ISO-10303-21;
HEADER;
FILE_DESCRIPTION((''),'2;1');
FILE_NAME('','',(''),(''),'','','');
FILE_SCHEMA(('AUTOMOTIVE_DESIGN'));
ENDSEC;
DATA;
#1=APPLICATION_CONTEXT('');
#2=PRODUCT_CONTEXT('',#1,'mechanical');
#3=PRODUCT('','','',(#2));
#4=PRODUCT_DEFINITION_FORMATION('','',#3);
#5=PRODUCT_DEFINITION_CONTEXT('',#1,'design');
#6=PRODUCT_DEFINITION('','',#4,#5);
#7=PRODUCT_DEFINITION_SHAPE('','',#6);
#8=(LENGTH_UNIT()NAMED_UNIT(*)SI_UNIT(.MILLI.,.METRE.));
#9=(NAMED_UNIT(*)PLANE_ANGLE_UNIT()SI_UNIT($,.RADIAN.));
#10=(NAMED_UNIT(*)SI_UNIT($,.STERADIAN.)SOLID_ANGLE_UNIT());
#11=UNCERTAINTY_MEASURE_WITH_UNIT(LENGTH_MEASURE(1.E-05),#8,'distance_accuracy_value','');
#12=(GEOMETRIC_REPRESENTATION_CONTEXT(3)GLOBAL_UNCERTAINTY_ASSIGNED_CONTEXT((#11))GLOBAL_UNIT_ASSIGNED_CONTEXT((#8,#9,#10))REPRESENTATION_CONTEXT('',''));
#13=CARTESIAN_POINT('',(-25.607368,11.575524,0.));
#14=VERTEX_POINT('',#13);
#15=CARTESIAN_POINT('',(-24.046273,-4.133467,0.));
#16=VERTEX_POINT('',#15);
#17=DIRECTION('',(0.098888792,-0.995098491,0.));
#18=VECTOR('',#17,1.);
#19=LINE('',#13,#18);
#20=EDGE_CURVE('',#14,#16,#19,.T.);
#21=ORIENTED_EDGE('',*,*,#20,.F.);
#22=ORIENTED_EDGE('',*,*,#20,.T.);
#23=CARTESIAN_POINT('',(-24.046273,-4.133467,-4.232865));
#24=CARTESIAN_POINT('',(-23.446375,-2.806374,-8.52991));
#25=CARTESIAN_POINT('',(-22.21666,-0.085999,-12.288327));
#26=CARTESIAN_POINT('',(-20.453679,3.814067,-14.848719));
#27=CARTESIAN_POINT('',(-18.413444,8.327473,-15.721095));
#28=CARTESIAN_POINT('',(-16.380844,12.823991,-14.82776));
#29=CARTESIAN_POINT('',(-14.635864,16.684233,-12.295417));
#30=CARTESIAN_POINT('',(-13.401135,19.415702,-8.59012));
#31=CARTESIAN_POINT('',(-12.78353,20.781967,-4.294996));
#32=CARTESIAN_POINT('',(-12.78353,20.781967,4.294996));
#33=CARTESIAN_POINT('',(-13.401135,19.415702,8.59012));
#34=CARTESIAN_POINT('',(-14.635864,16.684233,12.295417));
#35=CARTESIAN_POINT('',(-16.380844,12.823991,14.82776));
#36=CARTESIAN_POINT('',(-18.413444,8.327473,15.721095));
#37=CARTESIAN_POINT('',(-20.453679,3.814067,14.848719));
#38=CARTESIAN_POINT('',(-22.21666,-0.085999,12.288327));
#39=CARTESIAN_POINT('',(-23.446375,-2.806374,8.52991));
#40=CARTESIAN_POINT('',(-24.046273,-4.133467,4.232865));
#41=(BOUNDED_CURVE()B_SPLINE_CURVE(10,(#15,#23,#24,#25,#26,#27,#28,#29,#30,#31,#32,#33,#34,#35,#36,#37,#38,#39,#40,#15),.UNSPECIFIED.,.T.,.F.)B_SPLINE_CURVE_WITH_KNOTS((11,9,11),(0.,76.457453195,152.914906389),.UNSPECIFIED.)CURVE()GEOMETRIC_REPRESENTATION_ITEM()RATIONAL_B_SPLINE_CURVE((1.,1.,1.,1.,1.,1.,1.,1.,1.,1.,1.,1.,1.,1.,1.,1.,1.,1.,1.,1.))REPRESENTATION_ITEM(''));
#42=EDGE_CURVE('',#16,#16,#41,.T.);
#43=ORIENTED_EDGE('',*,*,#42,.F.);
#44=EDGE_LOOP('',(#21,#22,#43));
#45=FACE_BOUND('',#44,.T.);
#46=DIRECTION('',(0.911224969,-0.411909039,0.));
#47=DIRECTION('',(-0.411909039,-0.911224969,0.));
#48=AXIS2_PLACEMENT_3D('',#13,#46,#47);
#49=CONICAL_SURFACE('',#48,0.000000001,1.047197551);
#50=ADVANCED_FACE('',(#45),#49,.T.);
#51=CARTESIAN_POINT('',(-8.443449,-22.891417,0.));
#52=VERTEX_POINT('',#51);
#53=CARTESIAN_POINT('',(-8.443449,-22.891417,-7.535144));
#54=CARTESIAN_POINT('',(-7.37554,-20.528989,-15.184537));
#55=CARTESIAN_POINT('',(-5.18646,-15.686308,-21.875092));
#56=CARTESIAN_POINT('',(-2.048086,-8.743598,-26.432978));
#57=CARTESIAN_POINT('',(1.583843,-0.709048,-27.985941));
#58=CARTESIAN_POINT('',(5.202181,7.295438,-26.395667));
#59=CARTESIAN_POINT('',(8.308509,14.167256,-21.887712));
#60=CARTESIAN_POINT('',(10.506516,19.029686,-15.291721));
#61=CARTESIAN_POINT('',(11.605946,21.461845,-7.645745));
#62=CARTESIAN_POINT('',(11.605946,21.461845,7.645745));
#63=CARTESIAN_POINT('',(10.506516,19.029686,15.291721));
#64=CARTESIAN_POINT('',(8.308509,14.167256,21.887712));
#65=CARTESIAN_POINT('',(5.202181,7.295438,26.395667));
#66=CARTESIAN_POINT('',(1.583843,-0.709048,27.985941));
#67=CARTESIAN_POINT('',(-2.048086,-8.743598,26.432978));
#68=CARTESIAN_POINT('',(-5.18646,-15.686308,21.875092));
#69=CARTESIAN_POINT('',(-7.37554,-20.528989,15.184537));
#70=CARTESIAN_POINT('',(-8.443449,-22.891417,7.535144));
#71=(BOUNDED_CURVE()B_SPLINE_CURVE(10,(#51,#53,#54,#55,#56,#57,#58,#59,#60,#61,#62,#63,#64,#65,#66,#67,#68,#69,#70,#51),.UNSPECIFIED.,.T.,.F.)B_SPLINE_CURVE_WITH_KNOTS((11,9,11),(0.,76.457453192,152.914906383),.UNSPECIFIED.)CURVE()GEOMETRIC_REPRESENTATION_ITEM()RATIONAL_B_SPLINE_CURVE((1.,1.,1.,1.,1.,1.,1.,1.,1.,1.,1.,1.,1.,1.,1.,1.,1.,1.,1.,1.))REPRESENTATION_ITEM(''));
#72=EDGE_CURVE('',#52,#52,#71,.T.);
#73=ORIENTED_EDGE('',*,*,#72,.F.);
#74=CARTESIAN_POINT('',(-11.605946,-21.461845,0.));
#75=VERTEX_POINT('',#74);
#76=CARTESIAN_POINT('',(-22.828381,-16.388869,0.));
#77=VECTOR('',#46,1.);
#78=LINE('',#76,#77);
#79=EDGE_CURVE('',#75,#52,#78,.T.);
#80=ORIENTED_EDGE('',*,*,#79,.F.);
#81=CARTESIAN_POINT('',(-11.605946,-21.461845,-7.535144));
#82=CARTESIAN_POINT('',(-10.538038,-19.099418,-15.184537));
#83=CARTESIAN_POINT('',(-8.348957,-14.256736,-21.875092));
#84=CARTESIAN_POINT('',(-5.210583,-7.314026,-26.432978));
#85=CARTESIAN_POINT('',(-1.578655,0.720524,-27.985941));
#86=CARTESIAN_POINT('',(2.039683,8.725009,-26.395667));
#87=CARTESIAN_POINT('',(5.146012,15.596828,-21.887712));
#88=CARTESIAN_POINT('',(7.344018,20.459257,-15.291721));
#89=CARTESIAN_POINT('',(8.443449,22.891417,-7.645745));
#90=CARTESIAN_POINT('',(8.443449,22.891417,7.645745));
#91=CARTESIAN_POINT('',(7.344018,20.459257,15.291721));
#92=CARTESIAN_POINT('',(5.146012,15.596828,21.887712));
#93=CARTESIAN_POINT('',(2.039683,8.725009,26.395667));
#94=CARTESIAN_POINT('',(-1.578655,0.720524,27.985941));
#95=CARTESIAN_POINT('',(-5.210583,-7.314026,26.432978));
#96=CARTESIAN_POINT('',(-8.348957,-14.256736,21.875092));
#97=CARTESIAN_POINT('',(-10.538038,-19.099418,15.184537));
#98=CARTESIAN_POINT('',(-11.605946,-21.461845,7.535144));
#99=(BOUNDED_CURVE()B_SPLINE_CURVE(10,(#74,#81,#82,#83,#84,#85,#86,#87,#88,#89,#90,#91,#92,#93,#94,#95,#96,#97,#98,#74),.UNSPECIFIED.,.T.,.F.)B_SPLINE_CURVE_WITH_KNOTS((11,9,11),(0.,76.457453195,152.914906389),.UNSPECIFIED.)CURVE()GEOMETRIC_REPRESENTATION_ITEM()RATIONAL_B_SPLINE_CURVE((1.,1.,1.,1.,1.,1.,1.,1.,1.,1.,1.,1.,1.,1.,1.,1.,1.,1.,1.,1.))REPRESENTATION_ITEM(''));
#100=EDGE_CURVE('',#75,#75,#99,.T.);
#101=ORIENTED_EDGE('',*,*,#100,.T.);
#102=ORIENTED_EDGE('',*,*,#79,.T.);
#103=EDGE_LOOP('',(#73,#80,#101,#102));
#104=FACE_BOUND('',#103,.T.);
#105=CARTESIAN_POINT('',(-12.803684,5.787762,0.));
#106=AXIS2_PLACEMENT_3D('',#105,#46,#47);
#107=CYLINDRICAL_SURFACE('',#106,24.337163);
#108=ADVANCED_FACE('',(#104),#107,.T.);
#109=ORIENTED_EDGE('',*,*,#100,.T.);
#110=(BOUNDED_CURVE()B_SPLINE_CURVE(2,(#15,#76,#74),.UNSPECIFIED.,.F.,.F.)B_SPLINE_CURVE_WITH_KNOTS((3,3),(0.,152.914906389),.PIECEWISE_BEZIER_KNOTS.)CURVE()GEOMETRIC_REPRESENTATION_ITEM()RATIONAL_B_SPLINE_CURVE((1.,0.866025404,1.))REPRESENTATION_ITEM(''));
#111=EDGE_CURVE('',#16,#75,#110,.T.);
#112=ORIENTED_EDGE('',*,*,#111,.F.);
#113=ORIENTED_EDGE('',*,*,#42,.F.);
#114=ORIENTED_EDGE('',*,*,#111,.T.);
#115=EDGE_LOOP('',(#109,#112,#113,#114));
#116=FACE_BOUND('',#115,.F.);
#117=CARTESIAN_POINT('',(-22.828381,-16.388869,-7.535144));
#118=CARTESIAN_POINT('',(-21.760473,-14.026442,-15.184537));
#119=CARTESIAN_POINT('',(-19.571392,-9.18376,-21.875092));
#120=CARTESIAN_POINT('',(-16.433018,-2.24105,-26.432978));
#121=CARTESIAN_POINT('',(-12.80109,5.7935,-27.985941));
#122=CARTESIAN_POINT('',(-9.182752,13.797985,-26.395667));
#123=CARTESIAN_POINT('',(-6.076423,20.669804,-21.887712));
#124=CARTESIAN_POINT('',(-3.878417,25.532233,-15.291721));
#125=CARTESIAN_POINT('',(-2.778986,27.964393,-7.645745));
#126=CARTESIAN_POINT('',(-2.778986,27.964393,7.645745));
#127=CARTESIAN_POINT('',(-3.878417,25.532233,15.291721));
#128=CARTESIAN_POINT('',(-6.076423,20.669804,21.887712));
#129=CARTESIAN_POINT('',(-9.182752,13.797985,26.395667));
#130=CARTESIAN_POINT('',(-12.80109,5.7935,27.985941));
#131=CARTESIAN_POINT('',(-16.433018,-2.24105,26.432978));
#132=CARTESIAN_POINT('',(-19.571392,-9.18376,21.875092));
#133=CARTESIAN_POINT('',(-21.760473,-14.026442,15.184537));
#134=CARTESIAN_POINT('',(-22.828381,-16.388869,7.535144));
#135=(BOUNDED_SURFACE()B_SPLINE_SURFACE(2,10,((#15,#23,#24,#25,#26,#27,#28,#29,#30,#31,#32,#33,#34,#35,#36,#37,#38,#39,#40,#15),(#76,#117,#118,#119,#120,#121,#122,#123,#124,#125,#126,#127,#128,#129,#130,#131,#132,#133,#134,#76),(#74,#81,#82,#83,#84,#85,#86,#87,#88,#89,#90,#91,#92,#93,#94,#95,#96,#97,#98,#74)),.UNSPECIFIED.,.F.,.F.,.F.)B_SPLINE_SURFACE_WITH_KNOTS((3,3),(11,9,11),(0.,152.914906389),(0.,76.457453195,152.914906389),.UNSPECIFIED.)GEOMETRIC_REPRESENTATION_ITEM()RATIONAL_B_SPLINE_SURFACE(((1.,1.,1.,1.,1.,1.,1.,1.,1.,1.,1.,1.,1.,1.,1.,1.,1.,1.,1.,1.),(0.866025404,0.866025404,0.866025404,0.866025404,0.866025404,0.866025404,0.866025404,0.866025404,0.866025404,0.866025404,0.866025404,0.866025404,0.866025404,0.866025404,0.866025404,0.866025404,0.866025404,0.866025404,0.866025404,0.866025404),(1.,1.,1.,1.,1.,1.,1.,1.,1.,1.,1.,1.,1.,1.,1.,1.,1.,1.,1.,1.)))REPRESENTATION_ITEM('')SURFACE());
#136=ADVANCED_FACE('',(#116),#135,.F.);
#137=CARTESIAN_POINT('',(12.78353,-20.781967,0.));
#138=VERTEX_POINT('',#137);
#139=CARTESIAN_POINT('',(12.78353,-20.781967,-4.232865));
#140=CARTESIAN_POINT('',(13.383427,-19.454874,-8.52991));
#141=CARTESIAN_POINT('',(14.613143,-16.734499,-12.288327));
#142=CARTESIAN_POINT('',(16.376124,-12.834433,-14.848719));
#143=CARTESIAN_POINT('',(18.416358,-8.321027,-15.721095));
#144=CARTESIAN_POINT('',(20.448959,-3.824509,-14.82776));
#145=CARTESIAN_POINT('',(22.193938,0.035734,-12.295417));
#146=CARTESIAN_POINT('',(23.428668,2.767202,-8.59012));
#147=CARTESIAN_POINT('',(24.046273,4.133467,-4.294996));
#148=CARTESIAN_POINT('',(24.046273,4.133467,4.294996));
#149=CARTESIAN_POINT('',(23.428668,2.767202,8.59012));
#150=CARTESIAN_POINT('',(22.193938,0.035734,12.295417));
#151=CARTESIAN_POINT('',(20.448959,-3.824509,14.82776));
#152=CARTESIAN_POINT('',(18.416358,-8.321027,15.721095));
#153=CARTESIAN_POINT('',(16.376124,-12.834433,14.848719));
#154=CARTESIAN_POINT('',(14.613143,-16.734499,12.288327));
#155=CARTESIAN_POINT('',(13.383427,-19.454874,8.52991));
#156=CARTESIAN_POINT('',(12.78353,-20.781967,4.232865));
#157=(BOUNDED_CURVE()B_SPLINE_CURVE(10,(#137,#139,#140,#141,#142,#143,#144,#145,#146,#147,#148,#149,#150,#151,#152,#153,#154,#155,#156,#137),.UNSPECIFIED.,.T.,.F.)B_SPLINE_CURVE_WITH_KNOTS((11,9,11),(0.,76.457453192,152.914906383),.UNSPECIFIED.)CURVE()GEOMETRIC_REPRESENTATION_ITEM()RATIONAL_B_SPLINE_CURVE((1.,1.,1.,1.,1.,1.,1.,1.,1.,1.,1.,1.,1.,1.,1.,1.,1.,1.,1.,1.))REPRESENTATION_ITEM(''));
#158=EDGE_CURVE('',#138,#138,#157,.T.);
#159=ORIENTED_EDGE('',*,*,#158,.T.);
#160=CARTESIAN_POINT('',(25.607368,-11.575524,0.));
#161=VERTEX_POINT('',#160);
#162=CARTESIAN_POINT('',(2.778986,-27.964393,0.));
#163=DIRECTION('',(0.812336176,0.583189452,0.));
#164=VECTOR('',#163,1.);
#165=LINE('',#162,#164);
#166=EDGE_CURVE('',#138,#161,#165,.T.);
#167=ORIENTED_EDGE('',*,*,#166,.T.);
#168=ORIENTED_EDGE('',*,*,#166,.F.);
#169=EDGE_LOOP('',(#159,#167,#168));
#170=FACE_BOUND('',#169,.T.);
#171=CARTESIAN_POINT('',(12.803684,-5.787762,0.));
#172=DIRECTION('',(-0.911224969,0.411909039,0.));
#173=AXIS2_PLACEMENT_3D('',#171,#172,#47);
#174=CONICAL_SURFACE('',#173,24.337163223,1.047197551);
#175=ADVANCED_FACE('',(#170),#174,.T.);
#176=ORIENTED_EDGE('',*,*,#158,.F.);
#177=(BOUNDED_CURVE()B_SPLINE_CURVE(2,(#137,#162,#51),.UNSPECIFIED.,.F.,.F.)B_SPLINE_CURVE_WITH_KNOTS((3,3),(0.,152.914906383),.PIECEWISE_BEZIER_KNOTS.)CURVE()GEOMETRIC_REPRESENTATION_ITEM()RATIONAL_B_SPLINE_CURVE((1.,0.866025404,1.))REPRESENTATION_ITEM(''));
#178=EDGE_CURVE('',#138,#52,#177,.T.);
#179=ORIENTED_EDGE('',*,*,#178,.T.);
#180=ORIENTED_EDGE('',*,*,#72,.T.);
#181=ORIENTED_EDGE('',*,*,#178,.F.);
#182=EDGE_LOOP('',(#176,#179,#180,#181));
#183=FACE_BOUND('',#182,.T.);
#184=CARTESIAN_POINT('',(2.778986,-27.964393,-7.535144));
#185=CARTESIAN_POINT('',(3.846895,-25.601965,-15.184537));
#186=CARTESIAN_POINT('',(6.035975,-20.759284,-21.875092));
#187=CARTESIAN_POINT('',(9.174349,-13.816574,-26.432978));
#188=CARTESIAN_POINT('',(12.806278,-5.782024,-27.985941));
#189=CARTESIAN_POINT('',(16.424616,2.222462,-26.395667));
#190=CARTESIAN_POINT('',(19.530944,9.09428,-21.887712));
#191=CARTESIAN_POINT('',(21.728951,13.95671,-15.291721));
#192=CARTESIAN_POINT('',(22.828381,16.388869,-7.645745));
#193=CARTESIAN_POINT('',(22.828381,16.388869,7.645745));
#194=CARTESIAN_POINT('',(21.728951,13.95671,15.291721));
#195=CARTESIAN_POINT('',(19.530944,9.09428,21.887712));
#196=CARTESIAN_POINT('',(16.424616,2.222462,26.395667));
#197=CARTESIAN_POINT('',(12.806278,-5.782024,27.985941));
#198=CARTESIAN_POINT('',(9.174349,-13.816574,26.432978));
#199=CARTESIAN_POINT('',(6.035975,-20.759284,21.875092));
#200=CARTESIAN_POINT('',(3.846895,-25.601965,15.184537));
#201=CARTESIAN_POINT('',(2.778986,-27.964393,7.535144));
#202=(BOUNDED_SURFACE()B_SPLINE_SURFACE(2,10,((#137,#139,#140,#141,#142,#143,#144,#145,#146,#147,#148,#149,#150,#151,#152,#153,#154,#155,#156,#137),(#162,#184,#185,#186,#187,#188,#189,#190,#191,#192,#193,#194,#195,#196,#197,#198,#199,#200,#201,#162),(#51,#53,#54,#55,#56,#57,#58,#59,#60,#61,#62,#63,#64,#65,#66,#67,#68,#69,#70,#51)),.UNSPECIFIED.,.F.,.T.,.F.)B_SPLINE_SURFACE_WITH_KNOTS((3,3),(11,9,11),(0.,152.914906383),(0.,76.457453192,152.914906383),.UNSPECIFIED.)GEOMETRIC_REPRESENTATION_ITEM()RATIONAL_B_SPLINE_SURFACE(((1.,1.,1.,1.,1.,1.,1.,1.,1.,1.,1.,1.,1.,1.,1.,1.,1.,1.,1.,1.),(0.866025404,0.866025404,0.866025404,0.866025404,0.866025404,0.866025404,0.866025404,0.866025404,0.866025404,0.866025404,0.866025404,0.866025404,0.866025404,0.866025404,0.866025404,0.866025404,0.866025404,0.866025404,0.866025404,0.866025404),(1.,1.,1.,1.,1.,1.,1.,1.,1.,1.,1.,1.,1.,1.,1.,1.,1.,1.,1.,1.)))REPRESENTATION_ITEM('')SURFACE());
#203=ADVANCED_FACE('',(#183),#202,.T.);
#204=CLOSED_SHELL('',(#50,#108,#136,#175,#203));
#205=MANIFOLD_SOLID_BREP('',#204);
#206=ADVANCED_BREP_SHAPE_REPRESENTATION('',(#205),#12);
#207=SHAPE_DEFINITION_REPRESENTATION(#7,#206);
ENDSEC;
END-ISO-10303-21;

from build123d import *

# Parameters (mm, degrees)
F2_R = 21.33153533


with BuildPart() as f1:
    # F0 (on Top) → F1 (revolve)
    with BuildSketch(Plane.XY):
        Polygon((2.7789862394, -27.9643926066), (25.6073675184, -11.5755236232), (-25.6073675184, 11.5755236232), (-22.8283812791, -16.3888689834), align=None)
    revolve(axis=Axis((0, 0, 0), (0.9112249686, -0.4119090392, 0)))

    # F2
    f2_edges = [f1.edges().sort_by_distance(p)[0] for p in [
        (22.828381, 16.388869, 0),
        (-2.778986, 27.964393, 0),
    ]]
    fillet(f2_edges, radius=F2_R)


solid = f1.part
